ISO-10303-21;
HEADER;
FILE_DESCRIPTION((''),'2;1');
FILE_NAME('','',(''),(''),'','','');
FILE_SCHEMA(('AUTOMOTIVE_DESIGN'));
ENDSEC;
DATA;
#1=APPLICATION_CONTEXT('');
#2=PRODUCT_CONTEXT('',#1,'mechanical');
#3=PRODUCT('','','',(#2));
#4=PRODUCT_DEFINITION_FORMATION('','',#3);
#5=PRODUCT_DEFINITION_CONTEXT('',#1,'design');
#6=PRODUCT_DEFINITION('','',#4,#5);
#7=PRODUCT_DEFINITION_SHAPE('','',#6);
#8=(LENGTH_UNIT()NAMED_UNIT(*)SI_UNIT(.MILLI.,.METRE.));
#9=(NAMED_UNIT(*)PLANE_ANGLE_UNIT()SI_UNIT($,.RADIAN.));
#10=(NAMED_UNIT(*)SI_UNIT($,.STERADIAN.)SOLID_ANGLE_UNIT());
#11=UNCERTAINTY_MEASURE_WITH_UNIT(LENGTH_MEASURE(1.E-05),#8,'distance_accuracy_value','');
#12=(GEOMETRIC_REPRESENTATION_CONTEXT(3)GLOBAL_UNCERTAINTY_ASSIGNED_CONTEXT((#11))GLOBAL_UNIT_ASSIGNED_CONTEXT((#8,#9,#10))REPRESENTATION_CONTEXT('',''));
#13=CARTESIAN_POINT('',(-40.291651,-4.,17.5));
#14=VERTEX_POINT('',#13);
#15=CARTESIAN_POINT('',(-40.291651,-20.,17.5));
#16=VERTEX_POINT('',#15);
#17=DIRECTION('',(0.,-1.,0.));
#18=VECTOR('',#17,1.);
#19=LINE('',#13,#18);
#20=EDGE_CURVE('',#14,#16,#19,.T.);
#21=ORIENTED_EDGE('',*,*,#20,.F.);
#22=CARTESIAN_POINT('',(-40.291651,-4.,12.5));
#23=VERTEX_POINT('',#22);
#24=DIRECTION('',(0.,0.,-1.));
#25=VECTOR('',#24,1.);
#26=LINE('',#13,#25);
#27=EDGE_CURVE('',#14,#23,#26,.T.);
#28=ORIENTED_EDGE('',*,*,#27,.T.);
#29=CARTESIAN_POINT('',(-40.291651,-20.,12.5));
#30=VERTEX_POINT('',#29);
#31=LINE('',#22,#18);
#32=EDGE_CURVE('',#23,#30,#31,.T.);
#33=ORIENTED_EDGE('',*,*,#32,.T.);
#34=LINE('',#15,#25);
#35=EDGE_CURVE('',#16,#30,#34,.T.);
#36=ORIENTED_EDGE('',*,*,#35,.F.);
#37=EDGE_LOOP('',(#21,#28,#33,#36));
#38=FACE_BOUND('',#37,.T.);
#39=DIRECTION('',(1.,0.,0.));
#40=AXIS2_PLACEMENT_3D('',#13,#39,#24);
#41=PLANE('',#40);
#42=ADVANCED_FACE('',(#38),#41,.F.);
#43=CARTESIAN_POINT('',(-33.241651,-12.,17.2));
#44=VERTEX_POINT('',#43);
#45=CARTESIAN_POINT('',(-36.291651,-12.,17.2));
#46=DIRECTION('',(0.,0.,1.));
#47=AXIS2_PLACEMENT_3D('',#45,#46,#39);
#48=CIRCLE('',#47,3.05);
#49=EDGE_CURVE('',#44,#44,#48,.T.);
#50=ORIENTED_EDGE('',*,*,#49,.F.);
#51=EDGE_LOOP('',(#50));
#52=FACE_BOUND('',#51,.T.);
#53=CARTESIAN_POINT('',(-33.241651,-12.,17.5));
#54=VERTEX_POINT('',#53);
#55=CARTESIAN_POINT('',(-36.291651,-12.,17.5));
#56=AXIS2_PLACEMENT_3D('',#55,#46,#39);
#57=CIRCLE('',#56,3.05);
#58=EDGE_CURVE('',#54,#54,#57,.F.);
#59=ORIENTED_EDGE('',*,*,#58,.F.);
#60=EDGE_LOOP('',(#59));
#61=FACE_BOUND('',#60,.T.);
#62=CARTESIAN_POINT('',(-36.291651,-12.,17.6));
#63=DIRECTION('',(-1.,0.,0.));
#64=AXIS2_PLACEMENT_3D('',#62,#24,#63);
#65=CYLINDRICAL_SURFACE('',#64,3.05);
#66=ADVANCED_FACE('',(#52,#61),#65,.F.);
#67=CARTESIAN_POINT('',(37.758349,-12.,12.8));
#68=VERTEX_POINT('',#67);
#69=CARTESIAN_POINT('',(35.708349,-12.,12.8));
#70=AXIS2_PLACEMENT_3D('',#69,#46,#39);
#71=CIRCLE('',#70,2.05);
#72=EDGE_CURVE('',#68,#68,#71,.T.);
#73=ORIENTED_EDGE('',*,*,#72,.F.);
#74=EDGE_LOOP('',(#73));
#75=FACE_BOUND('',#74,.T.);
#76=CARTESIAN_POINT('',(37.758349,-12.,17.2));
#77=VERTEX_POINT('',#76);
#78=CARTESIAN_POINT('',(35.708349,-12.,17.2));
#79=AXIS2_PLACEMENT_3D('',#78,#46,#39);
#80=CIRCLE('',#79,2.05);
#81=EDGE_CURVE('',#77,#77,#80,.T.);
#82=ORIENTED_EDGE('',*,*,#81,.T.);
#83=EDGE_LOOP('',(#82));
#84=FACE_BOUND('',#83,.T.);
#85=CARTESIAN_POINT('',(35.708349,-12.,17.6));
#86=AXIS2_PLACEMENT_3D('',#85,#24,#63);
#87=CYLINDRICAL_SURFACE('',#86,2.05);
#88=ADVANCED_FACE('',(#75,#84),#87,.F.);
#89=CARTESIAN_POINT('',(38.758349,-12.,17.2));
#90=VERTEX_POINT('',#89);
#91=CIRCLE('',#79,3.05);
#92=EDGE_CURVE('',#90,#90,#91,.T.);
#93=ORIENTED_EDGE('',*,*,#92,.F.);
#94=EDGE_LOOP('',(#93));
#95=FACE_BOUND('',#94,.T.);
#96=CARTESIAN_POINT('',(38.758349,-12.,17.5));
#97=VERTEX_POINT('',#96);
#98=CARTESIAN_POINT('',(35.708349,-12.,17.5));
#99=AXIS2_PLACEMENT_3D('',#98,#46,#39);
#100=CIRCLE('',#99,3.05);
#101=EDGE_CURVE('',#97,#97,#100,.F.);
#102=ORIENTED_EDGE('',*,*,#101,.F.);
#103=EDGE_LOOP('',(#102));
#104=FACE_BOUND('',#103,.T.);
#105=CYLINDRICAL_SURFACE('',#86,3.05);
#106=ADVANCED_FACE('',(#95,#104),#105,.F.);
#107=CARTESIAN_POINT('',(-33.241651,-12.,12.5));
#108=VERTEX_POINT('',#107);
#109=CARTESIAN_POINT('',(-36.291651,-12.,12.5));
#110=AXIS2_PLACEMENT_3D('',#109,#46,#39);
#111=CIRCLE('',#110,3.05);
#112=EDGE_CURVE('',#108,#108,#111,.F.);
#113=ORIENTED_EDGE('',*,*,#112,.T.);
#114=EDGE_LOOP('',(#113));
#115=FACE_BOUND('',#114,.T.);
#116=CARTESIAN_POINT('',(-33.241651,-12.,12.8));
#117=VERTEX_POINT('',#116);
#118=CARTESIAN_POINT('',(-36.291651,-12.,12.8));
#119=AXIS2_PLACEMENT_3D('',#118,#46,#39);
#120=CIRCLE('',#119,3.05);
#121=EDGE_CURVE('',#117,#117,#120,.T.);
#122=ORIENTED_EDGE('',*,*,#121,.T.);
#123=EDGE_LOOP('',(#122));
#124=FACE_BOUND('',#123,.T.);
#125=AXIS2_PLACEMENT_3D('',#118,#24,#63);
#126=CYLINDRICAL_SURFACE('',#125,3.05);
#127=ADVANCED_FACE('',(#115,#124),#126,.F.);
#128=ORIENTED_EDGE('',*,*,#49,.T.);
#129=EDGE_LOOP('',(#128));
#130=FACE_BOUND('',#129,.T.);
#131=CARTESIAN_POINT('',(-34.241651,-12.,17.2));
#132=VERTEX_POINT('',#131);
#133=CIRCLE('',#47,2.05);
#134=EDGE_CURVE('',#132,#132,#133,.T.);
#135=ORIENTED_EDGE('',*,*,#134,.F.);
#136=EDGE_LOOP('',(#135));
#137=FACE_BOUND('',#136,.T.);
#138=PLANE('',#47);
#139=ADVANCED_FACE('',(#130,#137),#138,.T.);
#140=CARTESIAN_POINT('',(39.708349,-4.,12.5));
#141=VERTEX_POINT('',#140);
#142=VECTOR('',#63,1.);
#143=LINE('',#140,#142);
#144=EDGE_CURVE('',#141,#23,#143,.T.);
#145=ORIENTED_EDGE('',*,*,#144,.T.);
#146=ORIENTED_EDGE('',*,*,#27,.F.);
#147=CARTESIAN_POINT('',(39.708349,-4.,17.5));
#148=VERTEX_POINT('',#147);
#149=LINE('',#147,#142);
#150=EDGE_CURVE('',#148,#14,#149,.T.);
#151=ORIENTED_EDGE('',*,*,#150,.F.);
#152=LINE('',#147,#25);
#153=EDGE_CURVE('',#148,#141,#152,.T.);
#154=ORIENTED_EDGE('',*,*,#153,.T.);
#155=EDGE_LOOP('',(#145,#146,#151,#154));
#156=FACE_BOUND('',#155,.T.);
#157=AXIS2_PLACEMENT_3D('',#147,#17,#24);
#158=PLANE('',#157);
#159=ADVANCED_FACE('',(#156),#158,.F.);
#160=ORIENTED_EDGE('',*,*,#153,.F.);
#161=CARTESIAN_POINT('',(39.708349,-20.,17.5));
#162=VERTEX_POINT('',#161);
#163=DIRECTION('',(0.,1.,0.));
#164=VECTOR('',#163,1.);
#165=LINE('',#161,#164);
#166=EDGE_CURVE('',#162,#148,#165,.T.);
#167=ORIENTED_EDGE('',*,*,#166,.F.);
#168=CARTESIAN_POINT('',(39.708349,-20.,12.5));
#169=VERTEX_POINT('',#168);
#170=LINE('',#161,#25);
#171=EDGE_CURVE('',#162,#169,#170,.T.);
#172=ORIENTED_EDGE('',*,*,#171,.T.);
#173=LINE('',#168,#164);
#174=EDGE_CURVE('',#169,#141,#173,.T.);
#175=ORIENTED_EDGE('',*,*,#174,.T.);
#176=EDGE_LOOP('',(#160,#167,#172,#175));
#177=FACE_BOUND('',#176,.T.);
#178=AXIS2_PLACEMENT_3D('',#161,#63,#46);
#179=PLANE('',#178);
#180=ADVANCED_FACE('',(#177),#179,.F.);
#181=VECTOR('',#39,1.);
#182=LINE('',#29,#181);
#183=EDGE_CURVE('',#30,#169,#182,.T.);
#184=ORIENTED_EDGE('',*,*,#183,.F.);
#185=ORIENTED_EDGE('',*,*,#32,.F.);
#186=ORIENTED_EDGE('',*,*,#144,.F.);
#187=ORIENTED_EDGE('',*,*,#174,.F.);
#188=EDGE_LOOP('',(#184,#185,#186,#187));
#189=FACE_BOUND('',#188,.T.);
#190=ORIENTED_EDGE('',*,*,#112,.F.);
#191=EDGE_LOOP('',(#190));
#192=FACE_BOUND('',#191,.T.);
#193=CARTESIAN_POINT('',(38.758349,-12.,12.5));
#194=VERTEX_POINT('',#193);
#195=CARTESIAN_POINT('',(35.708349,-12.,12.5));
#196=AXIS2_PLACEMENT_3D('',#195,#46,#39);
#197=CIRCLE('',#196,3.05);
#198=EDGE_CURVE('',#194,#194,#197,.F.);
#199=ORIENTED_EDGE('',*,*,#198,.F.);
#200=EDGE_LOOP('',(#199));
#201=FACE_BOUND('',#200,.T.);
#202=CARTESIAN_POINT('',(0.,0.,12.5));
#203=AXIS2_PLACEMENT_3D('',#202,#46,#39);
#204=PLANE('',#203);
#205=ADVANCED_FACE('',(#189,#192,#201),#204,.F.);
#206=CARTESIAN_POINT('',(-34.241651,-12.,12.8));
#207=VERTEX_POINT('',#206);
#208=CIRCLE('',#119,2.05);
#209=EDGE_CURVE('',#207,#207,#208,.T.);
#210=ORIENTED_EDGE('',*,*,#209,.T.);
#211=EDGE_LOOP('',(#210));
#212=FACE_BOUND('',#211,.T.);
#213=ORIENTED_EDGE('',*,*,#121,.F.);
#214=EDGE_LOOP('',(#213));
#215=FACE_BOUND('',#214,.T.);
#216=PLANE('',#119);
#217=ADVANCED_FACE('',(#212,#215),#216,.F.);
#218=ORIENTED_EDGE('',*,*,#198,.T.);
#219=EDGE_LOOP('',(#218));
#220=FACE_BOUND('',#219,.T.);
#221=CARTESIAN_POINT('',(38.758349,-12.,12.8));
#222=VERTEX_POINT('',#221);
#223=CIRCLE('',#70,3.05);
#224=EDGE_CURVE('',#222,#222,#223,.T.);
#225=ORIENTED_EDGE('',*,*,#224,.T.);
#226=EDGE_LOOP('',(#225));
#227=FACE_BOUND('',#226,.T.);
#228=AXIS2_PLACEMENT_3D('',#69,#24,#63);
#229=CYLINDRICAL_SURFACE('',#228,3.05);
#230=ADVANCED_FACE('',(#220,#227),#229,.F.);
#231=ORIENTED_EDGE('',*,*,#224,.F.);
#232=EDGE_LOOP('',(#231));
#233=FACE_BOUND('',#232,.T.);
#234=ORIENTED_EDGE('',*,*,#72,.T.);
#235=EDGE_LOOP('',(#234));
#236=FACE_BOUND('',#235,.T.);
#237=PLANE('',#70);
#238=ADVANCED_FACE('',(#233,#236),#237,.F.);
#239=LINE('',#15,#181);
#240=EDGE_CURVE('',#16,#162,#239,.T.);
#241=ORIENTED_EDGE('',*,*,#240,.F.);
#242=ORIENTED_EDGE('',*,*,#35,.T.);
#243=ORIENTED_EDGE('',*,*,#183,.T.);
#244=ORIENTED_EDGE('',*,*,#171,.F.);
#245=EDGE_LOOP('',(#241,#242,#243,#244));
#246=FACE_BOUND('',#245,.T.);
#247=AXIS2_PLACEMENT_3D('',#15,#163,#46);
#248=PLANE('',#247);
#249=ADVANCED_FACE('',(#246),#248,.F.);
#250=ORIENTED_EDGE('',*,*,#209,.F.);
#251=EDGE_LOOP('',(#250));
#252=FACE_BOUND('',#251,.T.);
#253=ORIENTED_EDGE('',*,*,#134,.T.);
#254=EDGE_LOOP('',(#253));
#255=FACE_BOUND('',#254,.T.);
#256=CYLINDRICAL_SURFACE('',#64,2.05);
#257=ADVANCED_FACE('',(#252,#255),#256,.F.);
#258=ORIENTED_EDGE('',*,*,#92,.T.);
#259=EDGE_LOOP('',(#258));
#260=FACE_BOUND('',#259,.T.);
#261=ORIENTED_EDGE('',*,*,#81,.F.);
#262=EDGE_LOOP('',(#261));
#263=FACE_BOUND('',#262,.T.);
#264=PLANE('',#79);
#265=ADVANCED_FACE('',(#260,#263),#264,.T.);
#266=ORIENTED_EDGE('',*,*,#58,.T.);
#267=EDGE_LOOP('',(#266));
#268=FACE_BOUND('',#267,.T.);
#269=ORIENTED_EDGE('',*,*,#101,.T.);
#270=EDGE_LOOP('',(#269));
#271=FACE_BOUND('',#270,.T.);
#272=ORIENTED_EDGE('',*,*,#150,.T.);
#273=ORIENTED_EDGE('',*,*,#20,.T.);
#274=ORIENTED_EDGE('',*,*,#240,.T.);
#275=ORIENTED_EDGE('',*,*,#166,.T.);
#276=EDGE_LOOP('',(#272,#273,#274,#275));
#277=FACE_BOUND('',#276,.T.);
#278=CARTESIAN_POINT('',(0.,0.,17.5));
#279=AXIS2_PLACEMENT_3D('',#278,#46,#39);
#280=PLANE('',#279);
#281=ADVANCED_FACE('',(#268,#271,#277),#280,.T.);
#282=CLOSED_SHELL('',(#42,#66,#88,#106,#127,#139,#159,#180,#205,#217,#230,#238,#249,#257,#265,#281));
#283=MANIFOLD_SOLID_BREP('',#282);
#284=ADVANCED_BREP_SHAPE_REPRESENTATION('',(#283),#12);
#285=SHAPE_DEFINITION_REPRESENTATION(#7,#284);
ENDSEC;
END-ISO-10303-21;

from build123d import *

# Parameters (mm, degrees)
INSTALLED_SPRING_STRIP_SKETCH_W = 80
INSTALLED_SPRING_STRIP_SKETCH_H = 16
INSTALLED_SPRING_STRIP_DEPTH    = 5
EYELET_CLEARANCE_1_SKETCH_R     = 2.05
EYELET_CLEARANCE_1_DEPTH        = 5.2
FLANGE_RECESS_1_1_SKETCH_R      = 3.05
FLANGE_RECESS_1_1_DEPTH         = 0.4
FLANGE_RECESS_1_2_SKETCH_R      = 3.05
FLANGE_RECESS_1_2_DEPTH         = 0.4
EYELET_CLEARANCE_2_SKETCH_R     = 2.05
EYELET_CLEARANCE_2_DEPTH        = 5.2
FLANGE_RECESS_2_1_SKETCH_R      = 3.05
FLANGE_RECESS_2_1_DEPTH         = 0.4
FLANGE_RECESS_2_2_SKETCH_R      = 3.05
FLANGE_RECESS_2_2_DEPTH         = 0.4


with BuildPart() as part:
    # Installed spring strip sketch → Installed spring strip (new body)
    with BuildSketch(Plane.XY.offset(12.5)):
        with Locations((-0.291651246, -12)):
            Rectangle(INSTALLED_SPRING_STRIP_SKETCH_W, INSTALLED_SPRING_STRIP_SKETCH_H)
    extrude(amount=INSTALLED_SPRING_STRIP_DEPTH)

    # Eyelet clearance 1 sketch → Eyelet clearance 1 (cut)
    with BuildSketch(Plane.XY.offset(12.4)):
        with Locations((-36.291651246, -12)):
            Circle(EYELET_CLEARANCE_1_SKETCH_R)
    extrude(amount=EYELET_CLEARANCE_1_DEPTH, mode=Mode.SUBTRACT)

    # Flange recess 1-1 sketch → Flange recess 1-1 (cut)
    with BuildSketch(Plane.XY.offset(12.4)):
        with Locations((-36.291651246, -12)):
            Circle(FLANGE_RECESS_1_1_SKETCH_R)
    extrude(amount=FLANGE_RECESS_1_1_DEPTH, mode=Mode.SUBTRACT)

    # Flange recess 1-2 sketch → Flange recess 1-2 (cut)
    with BuildSketch(Plane.XY.offset(17.2)):
        with Locations((-36.291651246, -12)):
            Circle(FLANGE_RECESS_1_2_SKETCH_R)
    extrude(amount=FLANGE_RECESS_1_2_DEPTH, mode=Mode.SUBTRACT)

    # Eyelet clearance 2 sketch → Eyelet clearance 2 (cut)
    with BuildSketch(Plane.XY.offset(12.4)):
        with Locations((35.708348754, -12)):
            Circle(EYELET_CLEARANCE_2_SKETCH_R)
    extrude(amount=EYELET_CLEARANCE_2_DEPTH, mode=Mode.SUBTRACT)

    # Flange recess 2-1 sketch → Flange recess 2-1 (cut)
    with BuildSketch(Plane.XY.offset(12.4)):
        with Locations((35.708348754, -12)):
            Circle(FLANGE_RECESS_2_1_SKETCH_R)
    extrude(amount=FLANGE_RECESS_2_1_DEPTH, mode=Mode.SUBTRACT)

    # Flange recess 2-2 sketch → Flange recess 2-2 (cut)
    with BuildSketch(Plane.XY.offset(17.2)):
        with Locations((35.708348754, -12)):
            Circle(FLANGE_RECESS_2_2_SKETCH_R)
    extrude(amount=FLANGE_RECESS_2_2_DEPTH, mode=Mode.SUBTRACT)


solid = part.part
